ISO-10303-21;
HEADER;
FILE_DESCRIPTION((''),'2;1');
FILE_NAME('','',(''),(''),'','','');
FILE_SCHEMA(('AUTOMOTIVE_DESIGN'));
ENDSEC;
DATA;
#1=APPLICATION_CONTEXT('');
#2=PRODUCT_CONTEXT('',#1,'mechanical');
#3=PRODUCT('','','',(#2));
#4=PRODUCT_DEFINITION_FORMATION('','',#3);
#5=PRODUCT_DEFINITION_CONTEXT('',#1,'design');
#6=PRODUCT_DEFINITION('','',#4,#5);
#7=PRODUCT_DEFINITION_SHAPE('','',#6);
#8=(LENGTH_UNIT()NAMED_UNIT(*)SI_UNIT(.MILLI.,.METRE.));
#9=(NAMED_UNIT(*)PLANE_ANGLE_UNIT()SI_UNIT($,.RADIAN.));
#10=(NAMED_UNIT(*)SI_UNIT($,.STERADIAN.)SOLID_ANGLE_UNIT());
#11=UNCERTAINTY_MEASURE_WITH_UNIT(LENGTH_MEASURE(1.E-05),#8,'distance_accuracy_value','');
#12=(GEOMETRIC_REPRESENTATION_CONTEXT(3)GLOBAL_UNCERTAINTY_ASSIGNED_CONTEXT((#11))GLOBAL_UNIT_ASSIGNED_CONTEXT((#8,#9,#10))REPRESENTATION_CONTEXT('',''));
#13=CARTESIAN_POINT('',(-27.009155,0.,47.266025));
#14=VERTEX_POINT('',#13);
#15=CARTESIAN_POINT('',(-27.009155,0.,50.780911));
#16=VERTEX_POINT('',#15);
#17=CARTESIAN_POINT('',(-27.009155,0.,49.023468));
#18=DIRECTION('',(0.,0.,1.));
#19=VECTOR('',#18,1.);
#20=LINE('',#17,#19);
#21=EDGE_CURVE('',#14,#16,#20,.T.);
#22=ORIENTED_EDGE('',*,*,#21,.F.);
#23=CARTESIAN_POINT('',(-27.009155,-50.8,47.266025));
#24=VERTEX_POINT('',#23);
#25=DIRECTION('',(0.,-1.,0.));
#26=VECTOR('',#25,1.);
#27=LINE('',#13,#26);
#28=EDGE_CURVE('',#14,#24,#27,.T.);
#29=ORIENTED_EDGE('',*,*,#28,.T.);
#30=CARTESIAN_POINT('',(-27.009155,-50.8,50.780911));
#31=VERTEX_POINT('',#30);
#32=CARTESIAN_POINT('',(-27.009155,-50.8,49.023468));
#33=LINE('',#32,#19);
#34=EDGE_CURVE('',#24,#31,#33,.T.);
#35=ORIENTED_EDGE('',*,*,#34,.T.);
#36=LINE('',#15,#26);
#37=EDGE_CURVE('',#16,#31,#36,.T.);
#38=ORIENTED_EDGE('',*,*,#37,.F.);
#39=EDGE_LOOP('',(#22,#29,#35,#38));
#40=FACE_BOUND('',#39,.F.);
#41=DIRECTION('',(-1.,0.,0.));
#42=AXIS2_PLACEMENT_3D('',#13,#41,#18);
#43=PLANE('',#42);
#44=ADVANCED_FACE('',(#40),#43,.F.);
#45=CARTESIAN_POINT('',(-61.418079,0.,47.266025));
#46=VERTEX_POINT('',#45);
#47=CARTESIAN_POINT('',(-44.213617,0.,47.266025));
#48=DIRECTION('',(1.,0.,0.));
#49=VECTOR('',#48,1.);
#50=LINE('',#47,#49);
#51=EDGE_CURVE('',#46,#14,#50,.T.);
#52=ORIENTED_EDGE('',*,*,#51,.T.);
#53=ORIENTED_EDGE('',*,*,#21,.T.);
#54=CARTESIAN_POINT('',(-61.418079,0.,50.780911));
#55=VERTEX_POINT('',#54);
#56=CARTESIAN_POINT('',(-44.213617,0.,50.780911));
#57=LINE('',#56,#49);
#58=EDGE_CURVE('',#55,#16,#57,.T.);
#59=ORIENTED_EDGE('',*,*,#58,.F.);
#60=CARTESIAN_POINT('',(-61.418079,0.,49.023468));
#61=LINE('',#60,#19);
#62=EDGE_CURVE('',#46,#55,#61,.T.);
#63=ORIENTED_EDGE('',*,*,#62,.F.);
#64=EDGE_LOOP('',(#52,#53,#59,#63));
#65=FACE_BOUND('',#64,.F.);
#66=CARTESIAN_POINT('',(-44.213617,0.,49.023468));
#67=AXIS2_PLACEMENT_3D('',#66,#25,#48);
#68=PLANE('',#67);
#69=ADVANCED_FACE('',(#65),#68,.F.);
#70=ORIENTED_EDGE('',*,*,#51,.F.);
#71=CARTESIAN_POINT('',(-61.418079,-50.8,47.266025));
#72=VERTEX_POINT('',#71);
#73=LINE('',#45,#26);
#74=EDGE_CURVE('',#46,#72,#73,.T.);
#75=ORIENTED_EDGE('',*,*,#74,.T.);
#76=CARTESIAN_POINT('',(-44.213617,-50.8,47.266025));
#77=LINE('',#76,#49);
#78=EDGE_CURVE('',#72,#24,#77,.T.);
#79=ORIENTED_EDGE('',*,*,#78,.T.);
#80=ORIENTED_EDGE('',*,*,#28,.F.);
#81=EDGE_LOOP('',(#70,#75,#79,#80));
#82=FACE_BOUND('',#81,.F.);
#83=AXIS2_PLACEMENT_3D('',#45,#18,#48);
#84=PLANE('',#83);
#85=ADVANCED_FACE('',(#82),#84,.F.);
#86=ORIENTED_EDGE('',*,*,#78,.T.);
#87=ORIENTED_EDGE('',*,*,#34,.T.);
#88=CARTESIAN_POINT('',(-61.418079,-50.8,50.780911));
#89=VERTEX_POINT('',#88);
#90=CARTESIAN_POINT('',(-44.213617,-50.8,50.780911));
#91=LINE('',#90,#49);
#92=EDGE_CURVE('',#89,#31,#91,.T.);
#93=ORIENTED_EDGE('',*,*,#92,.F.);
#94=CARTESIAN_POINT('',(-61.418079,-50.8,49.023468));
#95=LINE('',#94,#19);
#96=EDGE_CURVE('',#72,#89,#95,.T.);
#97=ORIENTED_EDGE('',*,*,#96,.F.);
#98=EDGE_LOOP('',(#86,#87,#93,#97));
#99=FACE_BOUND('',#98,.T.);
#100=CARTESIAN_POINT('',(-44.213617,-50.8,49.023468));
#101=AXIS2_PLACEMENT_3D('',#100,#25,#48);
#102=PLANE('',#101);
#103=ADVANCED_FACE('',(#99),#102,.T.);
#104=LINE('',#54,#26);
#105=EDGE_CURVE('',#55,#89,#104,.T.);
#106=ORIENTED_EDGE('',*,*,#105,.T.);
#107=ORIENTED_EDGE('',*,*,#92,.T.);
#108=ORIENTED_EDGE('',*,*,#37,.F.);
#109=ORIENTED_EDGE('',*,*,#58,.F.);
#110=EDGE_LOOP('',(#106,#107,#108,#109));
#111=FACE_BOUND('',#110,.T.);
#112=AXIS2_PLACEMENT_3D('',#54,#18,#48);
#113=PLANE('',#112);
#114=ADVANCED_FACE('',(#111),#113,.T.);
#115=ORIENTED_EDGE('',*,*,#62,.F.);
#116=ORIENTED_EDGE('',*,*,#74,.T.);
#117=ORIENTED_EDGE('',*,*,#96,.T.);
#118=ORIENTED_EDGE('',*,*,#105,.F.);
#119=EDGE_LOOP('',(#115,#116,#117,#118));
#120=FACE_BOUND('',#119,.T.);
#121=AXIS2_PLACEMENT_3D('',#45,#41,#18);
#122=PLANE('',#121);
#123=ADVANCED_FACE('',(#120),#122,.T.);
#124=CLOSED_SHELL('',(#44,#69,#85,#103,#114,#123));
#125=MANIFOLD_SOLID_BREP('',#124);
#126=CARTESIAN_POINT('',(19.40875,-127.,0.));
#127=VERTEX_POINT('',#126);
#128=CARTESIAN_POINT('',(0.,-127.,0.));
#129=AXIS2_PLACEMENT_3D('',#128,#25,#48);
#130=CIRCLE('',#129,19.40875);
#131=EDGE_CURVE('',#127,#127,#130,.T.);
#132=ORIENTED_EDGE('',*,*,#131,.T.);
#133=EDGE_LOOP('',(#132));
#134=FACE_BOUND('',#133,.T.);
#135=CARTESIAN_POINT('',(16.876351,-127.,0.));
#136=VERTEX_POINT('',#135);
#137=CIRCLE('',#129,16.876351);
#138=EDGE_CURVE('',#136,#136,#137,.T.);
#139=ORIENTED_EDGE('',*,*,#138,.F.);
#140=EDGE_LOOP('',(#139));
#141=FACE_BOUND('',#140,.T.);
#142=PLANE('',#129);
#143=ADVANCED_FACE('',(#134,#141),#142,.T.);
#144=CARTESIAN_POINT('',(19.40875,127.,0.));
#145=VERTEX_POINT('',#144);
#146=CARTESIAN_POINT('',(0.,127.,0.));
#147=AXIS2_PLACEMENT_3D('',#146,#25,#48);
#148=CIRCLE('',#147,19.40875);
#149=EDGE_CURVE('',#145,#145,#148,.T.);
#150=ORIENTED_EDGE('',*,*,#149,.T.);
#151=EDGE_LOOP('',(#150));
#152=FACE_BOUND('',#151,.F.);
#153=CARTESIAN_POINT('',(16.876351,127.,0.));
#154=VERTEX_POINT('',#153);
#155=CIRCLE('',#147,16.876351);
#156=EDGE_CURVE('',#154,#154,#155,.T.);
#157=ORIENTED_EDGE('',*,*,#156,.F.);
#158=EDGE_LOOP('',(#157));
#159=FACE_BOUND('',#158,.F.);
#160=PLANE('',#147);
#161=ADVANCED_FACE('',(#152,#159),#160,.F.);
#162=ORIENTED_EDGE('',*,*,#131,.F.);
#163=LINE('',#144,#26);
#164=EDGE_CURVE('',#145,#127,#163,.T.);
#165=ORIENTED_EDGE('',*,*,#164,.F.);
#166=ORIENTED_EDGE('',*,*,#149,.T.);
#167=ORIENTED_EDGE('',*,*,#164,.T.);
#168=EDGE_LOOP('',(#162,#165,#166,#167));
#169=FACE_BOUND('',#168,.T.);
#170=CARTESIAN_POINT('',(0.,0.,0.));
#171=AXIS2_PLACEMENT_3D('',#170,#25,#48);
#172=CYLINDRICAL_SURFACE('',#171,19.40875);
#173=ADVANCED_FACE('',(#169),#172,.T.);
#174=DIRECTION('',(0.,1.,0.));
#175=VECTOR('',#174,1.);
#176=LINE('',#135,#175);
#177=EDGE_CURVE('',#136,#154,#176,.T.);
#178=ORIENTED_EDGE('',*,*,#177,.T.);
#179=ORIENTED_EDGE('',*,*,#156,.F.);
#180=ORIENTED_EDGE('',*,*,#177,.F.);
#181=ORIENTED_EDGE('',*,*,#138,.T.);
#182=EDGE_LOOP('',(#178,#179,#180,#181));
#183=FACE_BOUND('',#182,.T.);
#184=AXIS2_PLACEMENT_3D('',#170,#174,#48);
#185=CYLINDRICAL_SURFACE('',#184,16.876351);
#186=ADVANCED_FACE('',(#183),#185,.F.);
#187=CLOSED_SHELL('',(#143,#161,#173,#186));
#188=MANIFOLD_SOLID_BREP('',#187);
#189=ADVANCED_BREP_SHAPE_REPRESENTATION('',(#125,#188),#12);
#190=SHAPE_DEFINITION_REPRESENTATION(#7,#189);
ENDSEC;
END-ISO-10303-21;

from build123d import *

# Parameters (mm, degrees)
F0_R     = 19.40875
F0_R_2   = 16.876351
F1_DEPTH = 127
F0_W     = 34.408923
F0_H     = 3.514886
F2_DEPTH = 50.8


with BuildPart() as f1:
    # F0 (on Front) → F1 (new body, symmetric)
    with BuildSketch(Plane.XZ):
        Circle(F0_R)
        Circle(F0_R_2, mode=Mode.SUBTRACT)
    extrude(amount=F1_DEPTH, both=True)


with BuildPart() as f2:
    # F0 (on Front) → F2 (new body)
    with BuildSketch(Plane.XZ):
        with Locations((-44.213617, 49.023468)):
            Rectangle(F0_W, F0_H)
    extrude(amount=F2_DEPTH)


solid = Compound([f1.part, f2.part])
